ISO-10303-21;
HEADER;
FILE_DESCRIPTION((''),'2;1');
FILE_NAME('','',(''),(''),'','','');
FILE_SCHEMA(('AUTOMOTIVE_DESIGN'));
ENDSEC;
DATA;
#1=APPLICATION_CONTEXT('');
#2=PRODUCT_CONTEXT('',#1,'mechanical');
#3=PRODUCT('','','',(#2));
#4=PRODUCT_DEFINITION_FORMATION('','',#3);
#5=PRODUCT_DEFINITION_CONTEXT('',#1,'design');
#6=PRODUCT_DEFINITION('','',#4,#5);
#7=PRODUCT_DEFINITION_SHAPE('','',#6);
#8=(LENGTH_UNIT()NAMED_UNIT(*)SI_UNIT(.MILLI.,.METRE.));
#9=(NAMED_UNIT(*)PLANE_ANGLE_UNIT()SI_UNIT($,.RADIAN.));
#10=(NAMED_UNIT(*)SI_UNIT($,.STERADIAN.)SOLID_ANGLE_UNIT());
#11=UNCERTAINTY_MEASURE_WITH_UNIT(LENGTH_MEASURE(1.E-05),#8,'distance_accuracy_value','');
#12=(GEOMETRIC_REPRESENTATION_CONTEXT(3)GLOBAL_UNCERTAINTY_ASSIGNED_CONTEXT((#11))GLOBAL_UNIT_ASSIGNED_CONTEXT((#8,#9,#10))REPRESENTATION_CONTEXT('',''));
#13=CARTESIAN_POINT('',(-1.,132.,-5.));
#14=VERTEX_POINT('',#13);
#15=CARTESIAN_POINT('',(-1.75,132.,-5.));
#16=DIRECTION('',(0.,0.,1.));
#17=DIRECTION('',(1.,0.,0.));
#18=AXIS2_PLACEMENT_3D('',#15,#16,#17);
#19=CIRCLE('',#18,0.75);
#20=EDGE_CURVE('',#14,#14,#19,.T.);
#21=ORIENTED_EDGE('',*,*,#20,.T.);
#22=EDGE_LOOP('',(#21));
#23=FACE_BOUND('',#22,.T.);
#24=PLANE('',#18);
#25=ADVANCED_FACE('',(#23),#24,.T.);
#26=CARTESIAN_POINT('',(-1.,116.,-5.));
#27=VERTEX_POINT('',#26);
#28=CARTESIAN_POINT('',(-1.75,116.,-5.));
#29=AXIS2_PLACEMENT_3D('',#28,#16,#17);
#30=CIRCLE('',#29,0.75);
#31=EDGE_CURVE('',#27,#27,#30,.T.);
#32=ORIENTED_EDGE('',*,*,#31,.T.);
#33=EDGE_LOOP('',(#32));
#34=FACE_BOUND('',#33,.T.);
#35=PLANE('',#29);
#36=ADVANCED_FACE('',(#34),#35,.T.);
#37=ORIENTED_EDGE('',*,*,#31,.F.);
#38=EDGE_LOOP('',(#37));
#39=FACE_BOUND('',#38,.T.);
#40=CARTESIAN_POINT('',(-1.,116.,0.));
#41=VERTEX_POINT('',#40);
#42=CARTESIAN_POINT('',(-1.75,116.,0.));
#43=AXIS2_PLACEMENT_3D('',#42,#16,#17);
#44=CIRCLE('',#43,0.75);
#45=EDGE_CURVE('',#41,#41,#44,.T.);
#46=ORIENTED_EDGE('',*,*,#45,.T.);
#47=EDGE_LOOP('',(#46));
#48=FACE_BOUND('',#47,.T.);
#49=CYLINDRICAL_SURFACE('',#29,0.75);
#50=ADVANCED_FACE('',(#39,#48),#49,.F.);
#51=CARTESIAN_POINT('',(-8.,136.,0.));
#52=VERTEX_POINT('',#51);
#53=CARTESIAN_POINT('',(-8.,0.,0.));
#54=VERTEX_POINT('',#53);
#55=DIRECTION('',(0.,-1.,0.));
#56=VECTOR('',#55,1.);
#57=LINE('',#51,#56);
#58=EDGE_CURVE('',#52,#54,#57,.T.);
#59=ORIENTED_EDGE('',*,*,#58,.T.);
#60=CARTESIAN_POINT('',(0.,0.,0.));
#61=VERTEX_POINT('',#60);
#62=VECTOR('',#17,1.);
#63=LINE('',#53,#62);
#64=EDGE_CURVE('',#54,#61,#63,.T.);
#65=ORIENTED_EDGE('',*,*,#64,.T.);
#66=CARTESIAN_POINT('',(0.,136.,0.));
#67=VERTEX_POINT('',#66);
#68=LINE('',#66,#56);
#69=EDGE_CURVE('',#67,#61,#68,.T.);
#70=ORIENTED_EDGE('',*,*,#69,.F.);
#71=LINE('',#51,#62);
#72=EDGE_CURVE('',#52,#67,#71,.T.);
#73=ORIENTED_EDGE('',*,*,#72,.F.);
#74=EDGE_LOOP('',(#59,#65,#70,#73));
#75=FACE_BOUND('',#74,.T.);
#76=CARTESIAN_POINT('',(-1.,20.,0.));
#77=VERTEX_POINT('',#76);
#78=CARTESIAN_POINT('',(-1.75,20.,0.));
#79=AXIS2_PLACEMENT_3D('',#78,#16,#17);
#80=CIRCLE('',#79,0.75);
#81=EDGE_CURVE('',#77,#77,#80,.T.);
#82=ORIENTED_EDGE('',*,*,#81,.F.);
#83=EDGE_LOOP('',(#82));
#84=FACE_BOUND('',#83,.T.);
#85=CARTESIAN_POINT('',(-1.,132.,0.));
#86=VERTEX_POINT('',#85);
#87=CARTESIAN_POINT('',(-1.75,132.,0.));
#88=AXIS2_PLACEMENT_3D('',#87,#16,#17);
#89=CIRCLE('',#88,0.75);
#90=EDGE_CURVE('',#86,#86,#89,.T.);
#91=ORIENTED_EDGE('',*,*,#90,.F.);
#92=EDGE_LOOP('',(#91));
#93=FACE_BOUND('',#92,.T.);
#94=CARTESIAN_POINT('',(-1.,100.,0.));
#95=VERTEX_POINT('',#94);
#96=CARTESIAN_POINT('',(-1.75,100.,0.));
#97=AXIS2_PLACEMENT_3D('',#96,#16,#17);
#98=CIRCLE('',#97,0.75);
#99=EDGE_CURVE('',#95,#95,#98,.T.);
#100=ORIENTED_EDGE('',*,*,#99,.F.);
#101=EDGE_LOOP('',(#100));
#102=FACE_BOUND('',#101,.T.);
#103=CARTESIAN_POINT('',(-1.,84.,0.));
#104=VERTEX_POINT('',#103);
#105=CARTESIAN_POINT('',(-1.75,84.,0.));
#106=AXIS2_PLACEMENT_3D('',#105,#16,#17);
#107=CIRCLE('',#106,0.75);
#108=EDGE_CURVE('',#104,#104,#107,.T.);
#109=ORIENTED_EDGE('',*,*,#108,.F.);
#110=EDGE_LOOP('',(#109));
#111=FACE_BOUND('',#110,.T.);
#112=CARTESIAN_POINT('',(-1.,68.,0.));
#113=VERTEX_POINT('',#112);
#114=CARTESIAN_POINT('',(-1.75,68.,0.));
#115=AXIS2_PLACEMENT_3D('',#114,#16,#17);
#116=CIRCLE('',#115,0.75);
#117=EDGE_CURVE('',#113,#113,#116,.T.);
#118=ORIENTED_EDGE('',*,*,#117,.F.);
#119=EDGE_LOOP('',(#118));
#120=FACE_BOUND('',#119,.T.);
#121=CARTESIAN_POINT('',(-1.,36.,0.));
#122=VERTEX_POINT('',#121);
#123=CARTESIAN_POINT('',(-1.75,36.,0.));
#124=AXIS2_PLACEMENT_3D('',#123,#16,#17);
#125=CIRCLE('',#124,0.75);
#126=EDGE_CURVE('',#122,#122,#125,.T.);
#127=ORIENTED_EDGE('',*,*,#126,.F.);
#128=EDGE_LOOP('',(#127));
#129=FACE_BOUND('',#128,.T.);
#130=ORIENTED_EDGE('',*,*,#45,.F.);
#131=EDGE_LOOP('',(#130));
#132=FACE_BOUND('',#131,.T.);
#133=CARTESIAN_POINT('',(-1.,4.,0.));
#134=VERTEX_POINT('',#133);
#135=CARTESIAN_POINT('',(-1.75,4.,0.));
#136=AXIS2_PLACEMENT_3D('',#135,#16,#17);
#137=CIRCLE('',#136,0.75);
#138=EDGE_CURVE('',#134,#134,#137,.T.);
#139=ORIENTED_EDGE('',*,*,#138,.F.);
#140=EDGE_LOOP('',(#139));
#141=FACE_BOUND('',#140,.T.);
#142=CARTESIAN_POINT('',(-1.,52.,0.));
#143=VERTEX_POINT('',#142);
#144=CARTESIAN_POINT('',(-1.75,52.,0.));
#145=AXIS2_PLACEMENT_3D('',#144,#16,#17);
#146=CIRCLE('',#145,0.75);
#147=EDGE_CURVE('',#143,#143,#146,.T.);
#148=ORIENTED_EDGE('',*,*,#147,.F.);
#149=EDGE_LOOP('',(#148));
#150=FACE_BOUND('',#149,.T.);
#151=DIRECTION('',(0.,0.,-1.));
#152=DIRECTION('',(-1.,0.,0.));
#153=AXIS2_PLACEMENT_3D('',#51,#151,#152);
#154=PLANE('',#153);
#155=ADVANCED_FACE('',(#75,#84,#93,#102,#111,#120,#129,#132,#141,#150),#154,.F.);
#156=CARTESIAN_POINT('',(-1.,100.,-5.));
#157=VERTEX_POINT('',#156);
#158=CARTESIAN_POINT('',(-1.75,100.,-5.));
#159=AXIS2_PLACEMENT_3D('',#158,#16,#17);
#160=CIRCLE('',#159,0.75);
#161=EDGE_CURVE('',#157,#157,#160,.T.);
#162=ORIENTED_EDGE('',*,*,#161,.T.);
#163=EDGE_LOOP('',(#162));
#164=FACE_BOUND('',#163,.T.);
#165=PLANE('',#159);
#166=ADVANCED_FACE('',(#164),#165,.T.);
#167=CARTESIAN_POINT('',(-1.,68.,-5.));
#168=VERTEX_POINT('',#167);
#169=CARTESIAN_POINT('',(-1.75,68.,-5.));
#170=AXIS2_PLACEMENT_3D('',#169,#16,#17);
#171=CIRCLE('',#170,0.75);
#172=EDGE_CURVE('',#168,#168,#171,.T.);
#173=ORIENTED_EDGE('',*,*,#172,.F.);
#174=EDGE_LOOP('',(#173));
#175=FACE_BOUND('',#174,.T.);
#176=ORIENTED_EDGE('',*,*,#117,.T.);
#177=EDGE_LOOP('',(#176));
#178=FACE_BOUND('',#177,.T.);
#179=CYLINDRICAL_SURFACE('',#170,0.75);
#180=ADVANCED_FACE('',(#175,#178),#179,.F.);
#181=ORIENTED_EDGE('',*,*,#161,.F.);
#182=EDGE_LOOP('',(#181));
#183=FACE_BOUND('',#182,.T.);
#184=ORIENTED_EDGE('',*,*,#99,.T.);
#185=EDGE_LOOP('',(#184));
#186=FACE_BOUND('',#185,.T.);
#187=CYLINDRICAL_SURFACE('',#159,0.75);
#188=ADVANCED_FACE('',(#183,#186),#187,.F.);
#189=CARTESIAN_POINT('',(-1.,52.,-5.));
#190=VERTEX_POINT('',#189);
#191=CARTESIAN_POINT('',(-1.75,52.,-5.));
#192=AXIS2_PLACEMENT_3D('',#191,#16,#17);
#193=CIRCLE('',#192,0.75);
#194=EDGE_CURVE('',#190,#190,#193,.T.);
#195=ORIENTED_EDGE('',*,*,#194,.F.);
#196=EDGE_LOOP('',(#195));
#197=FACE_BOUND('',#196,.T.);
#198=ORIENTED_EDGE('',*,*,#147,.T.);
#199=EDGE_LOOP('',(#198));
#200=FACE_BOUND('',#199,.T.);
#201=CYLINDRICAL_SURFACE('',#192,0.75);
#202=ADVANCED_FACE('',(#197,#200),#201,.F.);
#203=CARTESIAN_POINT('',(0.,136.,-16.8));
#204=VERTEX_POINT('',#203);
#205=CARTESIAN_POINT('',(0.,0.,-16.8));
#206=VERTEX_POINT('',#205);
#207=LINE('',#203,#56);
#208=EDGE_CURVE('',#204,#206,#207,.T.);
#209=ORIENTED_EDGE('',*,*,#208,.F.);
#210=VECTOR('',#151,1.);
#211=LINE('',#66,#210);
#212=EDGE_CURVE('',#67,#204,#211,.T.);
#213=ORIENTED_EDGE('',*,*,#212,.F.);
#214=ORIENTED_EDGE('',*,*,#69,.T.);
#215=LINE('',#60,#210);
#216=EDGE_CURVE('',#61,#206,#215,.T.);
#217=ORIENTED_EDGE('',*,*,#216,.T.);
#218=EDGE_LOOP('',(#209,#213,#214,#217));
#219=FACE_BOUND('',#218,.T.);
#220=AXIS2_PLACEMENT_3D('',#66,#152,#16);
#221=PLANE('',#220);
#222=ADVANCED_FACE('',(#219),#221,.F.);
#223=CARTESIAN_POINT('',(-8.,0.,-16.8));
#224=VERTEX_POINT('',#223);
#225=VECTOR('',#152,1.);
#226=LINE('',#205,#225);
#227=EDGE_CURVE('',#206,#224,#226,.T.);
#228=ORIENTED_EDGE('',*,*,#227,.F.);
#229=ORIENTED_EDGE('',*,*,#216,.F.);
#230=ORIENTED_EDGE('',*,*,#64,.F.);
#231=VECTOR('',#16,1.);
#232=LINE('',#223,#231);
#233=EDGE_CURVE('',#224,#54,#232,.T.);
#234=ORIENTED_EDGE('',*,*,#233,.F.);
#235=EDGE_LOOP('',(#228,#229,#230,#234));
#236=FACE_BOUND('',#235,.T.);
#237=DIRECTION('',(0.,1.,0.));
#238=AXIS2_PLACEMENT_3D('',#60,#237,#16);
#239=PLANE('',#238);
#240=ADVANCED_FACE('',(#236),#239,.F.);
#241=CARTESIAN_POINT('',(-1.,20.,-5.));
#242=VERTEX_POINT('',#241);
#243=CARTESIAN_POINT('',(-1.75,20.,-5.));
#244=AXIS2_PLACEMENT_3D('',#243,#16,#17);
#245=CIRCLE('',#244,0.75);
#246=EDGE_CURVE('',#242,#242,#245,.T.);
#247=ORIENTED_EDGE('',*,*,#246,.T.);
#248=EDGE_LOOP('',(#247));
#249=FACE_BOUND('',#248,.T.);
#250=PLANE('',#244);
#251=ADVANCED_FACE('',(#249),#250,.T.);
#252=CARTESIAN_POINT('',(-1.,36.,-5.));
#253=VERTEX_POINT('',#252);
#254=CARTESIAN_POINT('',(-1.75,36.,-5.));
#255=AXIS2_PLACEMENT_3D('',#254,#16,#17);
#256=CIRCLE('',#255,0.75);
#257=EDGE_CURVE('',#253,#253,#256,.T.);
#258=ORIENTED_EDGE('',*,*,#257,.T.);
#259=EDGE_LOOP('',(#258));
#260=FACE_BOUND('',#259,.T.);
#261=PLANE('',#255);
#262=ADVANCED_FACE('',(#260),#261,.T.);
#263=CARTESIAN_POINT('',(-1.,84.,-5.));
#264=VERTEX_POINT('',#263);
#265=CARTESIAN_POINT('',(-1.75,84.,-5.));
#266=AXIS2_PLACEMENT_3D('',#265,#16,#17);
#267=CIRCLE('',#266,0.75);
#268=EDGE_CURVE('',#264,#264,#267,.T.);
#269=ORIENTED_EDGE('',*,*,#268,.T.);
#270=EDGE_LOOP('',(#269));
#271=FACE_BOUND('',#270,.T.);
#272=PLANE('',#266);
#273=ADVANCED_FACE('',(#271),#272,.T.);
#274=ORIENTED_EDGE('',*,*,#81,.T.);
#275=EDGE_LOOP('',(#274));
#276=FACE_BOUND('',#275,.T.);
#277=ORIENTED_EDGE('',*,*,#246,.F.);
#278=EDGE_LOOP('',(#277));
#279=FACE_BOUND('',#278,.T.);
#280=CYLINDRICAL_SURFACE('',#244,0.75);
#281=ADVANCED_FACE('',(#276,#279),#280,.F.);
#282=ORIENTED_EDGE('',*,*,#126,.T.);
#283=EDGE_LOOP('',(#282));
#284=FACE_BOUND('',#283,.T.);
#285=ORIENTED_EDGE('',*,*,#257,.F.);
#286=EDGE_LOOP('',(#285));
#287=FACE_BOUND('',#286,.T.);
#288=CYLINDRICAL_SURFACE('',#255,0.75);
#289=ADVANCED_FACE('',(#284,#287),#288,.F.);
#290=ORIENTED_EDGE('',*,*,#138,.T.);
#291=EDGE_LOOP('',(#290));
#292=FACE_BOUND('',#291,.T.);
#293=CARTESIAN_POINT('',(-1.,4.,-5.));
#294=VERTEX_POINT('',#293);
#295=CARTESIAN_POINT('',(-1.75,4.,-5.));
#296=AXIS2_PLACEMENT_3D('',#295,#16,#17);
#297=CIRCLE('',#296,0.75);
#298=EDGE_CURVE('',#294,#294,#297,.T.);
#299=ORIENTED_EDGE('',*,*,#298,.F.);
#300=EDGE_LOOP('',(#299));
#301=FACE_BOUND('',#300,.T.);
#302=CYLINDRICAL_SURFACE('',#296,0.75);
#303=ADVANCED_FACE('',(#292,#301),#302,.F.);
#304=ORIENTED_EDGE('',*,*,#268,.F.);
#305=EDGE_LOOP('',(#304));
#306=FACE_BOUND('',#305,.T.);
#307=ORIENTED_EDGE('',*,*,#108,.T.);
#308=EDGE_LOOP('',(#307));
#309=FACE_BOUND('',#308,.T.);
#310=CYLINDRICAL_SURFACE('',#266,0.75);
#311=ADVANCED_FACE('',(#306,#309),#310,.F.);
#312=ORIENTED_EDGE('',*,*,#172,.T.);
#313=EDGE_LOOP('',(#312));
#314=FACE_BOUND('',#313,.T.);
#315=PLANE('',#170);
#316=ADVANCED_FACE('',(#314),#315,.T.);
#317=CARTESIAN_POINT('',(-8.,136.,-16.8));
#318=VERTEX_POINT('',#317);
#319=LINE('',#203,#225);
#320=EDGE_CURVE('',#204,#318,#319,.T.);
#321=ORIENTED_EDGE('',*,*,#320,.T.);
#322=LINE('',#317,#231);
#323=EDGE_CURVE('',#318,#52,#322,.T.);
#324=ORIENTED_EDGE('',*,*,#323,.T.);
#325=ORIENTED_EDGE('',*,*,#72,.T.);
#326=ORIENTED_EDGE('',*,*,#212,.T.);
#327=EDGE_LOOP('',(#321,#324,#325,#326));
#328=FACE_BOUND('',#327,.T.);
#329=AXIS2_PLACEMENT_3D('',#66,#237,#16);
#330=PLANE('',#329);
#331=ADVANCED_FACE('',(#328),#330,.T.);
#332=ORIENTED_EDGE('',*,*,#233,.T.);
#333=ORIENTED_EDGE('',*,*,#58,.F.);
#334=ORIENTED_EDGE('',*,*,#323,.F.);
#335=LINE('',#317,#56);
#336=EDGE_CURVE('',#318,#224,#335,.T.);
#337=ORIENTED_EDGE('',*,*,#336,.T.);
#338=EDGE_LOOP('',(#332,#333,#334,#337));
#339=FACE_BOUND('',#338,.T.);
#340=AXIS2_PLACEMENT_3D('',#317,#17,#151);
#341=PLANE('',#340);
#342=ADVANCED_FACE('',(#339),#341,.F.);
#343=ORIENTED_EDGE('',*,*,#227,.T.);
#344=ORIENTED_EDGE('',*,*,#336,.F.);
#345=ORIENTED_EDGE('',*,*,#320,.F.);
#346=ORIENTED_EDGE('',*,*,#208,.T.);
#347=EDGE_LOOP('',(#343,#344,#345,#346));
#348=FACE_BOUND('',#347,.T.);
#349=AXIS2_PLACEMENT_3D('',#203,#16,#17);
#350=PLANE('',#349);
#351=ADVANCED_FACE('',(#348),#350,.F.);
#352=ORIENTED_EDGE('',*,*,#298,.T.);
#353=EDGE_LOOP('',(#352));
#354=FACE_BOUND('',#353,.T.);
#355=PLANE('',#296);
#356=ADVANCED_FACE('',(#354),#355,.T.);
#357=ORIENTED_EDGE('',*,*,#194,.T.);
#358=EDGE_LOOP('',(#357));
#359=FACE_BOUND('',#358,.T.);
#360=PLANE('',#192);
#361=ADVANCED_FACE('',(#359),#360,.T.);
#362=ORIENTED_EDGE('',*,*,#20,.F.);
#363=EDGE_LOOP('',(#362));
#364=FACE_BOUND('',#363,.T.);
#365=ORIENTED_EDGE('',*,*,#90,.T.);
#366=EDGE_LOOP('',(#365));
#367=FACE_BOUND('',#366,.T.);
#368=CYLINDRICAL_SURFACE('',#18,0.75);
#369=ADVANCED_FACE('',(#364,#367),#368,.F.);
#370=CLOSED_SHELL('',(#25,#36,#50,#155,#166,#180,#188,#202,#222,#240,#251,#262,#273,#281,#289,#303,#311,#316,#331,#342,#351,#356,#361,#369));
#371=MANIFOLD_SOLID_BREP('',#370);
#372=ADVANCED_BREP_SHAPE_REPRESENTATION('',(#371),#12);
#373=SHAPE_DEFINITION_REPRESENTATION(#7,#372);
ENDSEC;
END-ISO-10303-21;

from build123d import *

# Parameters (mm, degrees)
PROFILE_SKETCH_W           = 8
PROFILE_SKETCH_H           = 16.8
PROFILE_EXTRUDE_DEPTH      = 136
INDEX_HOLE_SKETCH_R        = 0.75
FIRST_INDEX_HOLE_CUT_DEPTH = 5
INDEX_HOLE_PATTERN_COUNT   = 9
INDEX_HOLE_PATTERN_PITCH   = 16


with BuildPart() as part:
    # Profile Sketch → Profile Extrude (new body)
    with BuildSketch(Plane(origin=(0.045617437, 0, -0.024209872), x_dir=(-1, 0, 0), z_dir=(0, 1, 0))):
        with Locations((4.045617437, -8.375790128)):
            Rectangle(PROFILE_SKETCH_W, PROFILE_SKETCH_H)
    extrude(amount=PROFILE_EXTRUDE_DEPTH)

    # Index Hole Sketch → First Index Hole Cut (cut)
    with BuildSketch(Plane.XY):
        with Locations((-1.75, 4)):
            Circle(INDEX_HOLE_SKETCH_R)
    first_index_hole_cut = extrude(amount=-FIRST_INDEX_HOLE_CUT_DEPTH, mode=Mode.SUBTRACT)

    # Index Hole Pattern: First Index Hole Cut ×9
    with Locations(*[(0, i * INDEX_HOLE_PATTERN_PITCH, 0) for i in range(1, INDEX_HOLE_PATTERN_COUNT)]):
        add(first_index_hole_cut, mode=Mode.SUBTRACT)


solid = part.part
